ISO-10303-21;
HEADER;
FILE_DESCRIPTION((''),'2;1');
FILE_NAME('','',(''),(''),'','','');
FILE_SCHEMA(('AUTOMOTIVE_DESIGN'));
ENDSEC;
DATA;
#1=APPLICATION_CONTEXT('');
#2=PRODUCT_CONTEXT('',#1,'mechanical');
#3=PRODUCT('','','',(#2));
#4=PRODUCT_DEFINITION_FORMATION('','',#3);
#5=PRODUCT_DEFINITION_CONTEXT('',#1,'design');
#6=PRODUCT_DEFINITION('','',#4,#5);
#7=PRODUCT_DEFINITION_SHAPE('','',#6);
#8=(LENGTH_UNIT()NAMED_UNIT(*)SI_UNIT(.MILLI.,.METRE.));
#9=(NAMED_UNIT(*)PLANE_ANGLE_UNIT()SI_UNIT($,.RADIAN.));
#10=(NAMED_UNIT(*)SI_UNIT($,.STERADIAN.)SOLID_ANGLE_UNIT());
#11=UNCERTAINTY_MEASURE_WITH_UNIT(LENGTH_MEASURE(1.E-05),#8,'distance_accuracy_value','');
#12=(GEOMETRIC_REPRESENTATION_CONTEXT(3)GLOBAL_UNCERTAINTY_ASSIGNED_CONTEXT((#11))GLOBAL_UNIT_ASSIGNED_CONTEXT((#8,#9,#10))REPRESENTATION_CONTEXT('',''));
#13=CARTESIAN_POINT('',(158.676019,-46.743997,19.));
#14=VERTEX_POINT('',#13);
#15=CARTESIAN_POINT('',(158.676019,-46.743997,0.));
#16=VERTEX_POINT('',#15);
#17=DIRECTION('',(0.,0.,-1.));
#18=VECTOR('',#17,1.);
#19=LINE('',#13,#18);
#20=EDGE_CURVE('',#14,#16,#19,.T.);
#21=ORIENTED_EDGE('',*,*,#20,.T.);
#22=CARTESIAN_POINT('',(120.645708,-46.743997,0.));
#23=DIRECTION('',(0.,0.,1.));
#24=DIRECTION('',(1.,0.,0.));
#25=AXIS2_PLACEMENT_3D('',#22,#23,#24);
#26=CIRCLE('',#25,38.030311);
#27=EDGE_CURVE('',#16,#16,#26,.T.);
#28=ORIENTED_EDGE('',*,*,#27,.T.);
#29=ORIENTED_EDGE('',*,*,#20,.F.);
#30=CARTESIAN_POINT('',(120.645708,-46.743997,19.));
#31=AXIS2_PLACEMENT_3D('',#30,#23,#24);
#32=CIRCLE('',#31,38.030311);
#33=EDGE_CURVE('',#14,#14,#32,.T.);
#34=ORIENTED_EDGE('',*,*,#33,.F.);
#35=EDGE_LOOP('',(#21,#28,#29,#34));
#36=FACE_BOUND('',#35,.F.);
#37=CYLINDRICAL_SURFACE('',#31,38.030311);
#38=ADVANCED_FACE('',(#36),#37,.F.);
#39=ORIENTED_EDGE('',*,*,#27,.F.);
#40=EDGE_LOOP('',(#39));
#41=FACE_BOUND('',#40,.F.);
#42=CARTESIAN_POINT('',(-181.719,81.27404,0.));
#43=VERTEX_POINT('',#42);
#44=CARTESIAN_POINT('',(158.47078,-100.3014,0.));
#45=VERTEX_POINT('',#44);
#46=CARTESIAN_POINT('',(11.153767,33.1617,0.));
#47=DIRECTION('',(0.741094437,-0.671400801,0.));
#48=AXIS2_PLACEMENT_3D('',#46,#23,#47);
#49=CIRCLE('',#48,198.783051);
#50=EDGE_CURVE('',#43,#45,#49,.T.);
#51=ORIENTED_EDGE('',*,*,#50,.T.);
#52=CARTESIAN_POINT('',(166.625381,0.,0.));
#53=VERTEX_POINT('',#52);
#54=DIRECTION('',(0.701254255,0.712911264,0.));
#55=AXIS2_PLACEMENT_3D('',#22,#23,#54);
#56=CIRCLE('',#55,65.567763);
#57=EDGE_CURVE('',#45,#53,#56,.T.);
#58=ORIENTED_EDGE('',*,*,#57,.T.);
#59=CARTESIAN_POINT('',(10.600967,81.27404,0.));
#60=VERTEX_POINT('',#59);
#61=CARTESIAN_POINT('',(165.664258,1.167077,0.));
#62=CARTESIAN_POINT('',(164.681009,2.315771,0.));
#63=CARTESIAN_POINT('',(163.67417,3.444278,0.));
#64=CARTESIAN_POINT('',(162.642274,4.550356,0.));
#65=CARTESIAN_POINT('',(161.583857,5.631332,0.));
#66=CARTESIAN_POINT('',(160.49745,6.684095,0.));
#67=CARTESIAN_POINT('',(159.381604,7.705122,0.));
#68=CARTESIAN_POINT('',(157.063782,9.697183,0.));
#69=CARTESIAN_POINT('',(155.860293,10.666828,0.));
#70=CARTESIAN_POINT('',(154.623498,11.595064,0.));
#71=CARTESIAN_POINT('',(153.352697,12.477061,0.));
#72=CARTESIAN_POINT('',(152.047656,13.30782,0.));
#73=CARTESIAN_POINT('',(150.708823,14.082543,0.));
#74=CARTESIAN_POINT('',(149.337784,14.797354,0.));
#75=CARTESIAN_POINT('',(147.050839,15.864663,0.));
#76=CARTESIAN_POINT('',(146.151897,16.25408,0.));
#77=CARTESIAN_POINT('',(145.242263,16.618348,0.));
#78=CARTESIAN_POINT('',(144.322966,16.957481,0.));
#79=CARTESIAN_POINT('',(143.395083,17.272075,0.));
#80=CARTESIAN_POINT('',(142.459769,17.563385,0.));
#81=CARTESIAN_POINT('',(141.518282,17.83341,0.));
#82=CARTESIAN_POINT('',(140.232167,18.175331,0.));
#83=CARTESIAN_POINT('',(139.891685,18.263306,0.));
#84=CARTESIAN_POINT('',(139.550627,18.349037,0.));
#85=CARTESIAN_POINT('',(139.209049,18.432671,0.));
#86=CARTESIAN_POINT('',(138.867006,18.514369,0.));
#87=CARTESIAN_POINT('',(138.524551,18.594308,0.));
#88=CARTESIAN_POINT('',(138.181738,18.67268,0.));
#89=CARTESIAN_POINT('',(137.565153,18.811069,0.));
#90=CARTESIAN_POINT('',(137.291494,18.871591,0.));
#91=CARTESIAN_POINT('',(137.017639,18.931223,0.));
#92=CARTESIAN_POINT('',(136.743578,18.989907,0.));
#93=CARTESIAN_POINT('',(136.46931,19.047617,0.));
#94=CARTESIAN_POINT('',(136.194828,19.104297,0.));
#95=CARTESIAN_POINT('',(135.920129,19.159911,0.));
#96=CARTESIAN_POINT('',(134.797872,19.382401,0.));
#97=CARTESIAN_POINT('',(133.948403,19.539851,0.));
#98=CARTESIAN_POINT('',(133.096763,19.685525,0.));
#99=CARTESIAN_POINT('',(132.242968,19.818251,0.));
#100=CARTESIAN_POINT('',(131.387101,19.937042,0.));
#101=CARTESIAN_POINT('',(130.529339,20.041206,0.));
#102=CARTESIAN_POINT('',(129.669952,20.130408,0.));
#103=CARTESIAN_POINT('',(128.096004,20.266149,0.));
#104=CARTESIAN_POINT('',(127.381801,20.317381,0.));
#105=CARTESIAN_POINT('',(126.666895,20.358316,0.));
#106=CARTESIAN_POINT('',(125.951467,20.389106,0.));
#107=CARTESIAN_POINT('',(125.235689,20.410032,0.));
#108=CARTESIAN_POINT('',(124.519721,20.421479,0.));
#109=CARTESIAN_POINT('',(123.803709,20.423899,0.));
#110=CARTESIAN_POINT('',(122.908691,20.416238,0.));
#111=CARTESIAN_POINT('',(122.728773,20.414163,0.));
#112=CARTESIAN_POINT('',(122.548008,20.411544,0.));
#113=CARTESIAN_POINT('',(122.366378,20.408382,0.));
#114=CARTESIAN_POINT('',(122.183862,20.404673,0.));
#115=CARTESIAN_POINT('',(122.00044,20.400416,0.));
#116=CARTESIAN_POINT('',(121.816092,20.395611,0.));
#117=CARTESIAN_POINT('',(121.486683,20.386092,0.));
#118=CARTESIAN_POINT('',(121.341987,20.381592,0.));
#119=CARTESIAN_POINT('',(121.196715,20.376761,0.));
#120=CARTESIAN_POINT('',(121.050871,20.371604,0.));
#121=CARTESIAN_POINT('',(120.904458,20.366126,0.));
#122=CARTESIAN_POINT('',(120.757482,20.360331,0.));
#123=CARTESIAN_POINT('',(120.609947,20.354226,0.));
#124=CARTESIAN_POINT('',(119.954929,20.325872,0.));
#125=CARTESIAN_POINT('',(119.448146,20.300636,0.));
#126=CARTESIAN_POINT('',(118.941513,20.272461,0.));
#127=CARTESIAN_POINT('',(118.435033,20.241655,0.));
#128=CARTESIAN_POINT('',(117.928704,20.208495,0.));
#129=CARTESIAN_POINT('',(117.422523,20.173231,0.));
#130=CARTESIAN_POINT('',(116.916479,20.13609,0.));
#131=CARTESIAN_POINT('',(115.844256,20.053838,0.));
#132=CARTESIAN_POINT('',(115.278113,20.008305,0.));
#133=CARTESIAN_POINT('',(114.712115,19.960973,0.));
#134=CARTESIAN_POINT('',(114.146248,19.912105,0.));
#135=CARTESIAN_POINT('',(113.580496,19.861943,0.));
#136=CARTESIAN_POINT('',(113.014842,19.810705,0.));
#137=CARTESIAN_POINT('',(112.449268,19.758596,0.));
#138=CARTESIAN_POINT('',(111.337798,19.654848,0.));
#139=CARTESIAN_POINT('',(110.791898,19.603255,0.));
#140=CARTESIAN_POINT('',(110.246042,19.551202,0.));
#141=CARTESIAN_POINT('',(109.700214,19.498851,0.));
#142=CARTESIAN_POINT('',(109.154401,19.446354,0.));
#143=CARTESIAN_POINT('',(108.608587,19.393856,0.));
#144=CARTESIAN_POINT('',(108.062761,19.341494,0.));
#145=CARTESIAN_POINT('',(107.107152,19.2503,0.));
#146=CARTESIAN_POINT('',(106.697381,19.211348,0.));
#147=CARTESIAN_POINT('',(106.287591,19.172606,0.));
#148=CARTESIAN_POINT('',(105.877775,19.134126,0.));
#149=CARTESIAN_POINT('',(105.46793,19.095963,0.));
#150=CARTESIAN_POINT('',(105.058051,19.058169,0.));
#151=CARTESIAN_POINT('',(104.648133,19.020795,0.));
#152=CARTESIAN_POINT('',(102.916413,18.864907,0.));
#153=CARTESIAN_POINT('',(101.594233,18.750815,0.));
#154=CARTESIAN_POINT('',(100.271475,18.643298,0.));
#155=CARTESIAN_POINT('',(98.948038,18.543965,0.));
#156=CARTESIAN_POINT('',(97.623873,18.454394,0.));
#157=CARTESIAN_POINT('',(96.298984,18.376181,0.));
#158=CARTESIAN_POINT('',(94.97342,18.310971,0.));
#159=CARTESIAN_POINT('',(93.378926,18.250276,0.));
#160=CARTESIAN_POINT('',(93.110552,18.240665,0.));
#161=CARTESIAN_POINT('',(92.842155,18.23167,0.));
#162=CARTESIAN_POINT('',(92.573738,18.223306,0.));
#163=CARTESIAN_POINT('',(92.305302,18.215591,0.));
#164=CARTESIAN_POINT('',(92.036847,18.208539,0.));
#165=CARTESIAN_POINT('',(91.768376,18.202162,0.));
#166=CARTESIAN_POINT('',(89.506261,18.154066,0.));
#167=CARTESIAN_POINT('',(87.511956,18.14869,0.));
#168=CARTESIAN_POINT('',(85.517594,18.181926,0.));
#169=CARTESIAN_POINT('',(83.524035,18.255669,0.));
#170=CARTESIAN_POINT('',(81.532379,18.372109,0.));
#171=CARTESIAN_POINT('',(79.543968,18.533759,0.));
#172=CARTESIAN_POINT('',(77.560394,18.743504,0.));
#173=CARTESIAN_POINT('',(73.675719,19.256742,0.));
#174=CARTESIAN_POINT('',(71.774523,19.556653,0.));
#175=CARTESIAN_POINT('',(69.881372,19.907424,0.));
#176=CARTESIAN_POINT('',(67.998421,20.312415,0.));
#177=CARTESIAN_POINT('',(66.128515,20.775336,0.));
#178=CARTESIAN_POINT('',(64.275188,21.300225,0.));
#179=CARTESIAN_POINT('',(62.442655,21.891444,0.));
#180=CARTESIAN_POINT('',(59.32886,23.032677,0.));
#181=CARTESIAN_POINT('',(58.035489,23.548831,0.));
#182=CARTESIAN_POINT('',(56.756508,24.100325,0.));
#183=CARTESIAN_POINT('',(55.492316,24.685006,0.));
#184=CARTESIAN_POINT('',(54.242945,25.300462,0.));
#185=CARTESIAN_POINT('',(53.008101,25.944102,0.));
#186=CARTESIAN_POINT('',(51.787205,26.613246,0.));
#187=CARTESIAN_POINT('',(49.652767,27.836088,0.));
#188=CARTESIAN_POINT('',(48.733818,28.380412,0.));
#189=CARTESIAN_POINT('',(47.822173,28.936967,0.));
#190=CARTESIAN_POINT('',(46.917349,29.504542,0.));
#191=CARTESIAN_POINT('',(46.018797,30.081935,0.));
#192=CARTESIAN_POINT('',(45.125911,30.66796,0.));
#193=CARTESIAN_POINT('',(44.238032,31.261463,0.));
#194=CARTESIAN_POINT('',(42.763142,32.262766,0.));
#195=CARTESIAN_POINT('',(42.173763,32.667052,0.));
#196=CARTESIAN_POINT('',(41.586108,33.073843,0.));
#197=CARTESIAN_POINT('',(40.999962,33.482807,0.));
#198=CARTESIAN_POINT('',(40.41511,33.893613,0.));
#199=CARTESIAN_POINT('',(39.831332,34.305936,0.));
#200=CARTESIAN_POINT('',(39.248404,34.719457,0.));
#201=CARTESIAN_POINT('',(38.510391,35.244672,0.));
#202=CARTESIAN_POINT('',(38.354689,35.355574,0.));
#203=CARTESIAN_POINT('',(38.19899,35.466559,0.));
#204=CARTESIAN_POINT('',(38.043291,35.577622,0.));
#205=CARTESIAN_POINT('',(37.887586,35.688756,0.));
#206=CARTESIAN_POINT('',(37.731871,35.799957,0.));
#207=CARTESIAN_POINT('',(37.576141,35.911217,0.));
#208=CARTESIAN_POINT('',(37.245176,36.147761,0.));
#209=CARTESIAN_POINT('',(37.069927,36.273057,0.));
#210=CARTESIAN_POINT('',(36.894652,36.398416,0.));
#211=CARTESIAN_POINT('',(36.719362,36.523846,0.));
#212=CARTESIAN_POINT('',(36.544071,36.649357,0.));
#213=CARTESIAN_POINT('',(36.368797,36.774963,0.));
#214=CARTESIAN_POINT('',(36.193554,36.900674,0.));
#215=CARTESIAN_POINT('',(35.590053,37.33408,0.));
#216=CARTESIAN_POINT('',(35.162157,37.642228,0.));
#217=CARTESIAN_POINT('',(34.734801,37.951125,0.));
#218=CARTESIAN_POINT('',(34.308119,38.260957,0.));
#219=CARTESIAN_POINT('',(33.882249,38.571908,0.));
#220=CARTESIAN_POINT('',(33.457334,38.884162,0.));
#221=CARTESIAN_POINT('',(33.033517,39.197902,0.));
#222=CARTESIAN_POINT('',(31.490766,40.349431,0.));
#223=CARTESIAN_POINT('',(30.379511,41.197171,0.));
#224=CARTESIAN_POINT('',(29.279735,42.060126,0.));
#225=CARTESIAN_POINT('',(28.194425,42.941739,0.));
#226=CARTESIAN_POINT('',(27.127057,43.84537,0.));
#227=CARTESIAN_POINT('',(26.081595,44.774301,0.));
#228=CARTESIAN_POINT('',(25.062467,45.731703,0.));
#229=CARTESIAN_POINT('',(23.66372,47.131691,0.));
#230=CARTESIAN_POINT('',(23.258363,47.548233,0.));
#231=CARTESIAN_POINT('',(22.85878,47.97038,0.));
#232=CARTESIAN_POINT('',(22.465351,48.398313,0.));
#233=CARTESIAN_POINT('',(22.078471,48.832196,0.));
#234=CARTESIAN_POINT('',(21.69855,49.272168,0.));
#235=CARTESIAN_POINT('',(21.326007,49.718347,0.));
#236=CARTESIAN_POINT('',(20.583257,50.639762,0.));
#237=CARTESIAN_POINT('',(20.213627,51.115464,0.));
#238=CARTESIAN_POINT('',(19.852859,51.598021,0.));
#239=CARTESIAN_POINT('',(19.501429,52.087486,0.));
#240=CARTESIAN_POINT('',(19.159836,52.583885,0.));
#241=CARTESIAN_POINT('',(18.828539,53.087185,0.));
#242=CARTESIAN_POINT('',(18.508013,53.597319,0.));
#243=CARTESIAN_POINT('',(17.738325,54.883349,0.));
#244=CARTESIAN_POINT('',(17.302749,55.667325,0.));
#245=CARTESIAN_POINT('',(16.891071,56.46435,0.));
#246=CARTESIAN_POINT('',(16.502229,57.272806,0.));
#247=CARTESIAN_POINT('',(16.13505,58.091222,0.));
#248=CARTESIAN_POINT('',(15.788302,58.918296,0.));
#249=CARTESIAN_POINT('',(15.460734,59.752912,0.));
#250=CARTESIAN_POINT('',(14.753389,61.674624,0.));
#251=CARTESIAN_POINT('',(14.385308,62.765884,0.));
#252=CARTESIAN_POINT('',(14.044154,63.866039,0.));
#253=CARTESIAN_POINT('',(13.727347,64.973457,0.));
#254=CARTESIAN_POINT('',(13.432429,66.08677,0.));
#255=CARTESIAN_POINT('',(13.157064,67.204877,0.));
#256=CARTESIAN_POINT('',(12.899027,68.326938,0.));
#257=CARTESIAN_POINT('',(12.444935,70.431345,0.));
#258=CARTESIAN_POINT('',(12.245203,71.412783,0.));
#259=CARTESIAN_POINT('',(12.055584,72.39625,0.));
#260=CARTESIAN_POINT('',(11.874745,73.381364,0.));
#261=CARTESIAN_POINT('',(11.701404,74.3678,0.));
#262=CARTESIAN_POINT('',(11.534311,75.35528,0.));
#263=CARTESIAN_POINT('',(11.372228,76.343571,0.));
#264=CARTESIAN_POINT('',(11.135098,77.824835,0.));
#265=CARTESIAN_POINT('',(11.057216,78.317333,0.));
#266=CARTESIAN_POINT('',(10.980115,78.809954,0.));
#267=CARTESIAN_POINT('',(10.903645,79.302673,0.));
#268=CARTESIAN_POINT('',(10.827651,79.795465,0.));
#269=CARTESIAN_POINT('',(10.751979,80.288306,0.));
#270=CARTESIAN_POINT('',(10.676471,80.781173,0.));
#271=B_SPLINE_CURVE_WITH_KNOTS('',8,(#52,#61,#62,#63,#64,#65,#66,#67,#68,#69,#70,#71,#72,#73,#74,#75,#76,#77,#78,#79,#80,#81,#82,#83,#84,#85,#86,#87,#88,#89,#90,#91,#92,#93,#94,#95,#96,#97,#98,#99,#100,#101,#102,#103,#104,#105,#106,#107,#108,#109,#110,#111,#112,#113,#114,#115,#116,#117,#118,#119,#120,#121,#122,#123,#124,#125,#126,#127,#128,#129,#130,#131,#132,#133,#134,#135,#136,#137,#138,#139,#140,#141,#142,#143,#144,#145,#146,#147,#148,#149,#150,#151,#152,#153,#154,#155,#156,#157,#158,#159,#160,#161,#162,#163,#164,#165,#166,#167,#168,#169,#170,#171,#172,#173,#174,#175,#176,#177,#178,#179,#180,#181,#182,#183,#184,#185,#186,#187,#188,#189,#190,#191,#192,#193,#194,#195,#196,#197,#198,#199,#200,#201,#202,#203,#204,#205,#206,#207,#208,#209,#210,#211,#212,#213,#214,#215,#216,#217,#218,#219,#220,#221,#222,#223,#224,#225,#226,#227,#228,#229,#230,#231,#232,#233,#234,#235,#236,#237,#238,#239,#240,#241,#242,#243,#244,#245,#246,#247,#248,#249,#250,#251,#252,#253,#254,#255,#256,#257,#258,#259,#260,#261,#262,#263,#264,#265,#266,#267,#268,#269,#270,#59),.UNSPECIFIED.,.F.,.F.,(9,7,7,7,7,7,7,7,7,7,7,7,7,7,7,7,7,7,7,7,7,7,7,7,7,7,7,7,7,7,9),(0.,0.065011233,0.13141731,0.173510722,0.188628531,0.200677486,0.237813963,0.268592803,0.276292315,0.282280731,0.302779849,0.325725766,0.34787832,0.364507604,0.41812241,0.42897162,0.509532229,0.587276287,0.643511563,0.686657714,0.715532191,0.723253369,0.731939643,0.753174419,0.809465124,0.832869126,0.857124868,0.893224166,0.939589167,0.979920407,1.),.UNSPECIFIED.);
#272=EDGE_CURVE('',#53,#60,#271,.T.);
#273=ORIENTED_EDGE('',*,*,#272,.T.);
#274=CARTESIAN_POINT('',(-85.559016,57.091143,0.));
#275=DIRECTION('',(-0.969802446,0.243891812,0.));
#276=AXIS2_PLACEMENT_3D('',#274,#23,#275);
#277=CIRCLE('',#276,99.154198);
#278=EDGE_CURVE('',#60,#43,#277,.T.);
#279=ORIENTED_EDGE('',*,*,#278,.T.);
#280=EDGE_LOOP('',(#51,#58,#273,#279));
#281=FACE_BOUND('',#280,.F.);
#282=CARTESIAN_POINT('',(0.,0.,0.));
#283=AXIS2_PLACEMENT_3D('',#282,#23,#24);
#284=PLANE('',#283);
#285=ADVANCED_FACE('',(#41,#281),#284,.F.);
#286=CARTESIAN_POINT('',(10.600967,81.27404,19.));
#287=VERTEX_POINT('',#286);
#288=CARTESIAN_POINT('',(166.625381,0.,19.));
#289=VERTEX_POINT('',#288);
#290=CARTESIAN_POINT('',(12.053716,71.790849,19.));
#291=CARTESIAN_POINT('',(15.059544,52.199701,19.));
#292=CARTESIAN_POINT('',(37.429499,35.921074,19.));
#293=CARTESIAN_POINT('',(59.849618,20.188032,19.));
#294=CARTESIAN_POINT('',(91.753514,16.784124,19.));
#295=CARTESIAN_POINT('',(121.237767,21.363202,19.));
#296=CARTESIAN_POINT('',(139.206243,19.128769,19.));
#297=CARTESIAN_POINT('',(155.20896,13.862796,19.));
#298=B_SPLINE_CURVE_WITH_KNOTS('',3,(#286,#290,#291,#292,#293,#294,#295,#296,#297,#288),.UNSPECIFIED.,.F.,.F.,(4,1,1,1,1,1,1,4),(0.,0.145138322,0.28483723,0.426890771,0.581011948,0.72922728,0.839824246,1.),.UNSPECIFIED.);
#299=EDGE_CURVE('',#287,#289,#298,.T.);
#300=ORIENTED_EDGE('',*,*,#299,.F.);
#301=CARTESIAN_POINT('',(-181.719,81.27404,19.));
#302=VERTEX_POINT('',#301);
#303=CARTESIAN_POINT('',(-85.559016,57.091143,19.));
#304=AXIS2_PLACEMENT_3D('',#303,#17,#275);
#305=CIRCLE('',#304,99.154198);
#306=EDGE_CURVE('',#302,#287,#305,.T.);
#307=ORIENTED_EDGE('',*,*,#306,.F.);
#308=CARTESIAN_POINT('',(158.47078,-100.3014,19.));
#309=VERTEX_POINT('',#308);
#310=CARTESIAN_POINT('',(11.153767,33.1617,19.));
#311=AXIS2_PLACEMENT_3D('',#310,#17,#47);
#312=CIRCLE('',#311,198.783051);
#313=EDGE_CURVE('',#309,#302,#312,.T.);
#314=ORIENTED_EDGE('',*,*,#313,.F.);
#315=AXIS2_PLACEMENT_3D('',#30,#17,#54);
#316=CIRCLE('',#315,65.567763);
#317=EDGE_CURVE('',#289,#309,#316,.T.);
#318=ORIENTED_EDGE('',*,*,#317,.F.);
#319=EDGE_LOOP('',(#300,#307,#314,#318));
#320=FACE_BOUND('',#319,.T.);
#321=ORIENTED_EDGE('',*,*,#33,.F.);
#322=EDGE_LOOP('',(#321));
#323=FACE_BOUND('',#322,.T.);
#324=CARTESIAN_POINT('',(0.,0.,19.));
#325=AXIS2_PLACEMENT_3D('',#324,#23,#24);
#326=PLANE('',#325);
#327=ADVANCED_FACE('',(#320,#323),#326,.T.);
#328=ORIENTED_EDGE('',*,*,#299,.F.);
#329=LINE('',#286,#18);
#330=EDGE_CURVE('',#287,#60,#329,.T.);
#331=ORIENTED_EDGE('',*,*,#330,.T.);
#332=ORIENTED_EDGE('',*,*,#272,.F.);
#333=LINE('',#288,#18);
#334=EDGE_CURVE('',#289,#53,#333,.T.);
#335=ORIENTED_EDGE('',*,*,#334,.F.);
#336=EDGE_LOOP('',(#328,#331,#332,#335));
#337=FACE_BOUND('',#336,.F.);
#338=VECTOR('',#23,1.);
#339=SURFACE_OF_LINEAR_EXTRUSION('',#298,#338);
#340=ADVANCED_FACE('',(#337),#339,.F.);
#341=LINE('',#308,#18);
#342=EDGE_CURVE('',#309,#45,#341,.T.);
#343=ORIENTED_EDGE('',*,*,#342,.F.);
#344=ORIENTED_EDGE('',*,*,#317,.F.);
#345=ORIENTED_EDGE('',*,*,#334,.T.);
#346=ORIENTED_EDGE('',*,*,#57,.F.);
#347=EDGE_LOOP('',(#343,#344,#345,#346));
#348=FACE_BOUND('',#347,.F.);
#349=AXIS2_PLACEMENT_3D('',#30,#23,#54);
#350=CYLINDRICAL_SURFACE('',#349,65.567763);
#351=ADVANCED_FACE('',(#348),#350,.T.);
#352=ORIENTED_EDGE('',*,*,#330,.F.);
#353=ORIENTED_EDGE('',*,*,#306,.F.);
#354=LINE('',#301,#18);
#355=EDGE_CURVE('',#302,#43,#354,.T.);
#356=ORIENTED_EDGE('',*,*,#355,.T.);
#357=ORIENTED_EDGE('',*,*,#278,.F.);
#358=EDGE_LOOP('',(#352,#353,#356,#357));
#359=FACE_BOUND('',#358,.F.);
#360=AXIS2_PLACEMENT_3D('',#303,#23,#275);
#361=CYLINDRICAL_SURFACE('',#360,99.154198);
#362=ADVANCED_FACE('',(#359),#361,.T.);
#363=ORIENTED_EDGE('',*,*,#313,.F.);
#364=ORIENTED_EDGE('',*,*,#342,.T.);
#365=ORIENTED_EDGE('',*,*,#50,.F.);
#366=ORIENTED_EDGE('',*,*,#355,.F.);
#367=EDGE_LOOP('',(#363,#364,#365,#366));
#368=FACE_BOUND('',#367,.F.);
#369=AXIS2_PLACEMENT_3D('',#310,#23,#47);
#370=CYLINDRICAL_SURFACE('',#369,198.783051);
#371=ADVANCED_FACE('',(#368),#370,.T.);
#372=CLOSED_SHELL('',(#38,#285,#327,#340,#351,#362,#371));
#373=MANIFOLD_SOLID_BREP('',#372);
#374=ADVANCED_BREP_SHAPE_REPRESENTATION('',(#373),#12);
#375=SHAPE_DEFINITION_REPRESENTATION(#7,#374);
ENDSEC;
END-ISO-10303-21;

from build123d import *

# Parameters (mm, degrees)
F0_W     = 400
F0_H     = 350
F1_DEPTH = 19
F2_W     = 400
F2_H     = 350
F3_DEPTH = 19.001
F4_R     = 38.0303111514
F5_DEPTH = 19.0010001


with BuildPart() as f1:
    # F0 (on Top) → F1 (new body)
    with BuildSketch(Plane.XY):
        Rectangle(F0_W, F0_H)
    extrude(amount=F1_DEPTH)

    # F2 (on face) → F3 (cut, through all)
    with BuildSketch(Plane.XY.offset(19)):
        Rectangle(F2_W, F2_H)
        with BuildLine():
            ThreePointArc((158.4707796574, -100.301399827), (-82.4477385445, -142.2049434954), (-181.7189997485, 81.2740400434))
            ThreePointArc((-181.7189997485, 81.2740400434), (-85.5590162079, 156.2453408499), (10.6009673327, 81.2740400434))
            add(Edge.make_bspline(
                [(10.6009673327, 81.2740400434), (12.0537158036, 71.790848631), (15.059544227, 52.1997014281), (37.4294986076, 35.9210738365), (59.8496179692, 20.1880319647), (91.7535141562, 16.7841239745), (121.2377669037, 21.3632017782), (139.2062429445, 19.1287691589), (155.2089601755, 13.8627961278), (166.6253805161, 0)],
                knots=[0, 0, 0, 0, 0.1451383216, 0.28483723, 0.426890771, 0.5810119484, 0.7292272805, 0.8398242455, 1, 1, 1, 1], degree=3))
            ThreePointArc((166.6253805161, 0), (185.9978425352, -52.0571882908), (158.4707796574, -100.301399827))
        make_face(mode=Mode.SUBTRACT)
    extrude(amount=-F3_DEPTH, mode=Mode.SUBTRACT)

    # F4 (on face) → F5 (cut, through all)
    with BuildSketch(Plane.XY.offset(19)):
        with Locations((120.645708, -46.7439965176)):
            Circle(F4_R)
    extrude(amount=-F5_DEPTH, mode=Mode.SUBTRACT)


solid = f1.part
